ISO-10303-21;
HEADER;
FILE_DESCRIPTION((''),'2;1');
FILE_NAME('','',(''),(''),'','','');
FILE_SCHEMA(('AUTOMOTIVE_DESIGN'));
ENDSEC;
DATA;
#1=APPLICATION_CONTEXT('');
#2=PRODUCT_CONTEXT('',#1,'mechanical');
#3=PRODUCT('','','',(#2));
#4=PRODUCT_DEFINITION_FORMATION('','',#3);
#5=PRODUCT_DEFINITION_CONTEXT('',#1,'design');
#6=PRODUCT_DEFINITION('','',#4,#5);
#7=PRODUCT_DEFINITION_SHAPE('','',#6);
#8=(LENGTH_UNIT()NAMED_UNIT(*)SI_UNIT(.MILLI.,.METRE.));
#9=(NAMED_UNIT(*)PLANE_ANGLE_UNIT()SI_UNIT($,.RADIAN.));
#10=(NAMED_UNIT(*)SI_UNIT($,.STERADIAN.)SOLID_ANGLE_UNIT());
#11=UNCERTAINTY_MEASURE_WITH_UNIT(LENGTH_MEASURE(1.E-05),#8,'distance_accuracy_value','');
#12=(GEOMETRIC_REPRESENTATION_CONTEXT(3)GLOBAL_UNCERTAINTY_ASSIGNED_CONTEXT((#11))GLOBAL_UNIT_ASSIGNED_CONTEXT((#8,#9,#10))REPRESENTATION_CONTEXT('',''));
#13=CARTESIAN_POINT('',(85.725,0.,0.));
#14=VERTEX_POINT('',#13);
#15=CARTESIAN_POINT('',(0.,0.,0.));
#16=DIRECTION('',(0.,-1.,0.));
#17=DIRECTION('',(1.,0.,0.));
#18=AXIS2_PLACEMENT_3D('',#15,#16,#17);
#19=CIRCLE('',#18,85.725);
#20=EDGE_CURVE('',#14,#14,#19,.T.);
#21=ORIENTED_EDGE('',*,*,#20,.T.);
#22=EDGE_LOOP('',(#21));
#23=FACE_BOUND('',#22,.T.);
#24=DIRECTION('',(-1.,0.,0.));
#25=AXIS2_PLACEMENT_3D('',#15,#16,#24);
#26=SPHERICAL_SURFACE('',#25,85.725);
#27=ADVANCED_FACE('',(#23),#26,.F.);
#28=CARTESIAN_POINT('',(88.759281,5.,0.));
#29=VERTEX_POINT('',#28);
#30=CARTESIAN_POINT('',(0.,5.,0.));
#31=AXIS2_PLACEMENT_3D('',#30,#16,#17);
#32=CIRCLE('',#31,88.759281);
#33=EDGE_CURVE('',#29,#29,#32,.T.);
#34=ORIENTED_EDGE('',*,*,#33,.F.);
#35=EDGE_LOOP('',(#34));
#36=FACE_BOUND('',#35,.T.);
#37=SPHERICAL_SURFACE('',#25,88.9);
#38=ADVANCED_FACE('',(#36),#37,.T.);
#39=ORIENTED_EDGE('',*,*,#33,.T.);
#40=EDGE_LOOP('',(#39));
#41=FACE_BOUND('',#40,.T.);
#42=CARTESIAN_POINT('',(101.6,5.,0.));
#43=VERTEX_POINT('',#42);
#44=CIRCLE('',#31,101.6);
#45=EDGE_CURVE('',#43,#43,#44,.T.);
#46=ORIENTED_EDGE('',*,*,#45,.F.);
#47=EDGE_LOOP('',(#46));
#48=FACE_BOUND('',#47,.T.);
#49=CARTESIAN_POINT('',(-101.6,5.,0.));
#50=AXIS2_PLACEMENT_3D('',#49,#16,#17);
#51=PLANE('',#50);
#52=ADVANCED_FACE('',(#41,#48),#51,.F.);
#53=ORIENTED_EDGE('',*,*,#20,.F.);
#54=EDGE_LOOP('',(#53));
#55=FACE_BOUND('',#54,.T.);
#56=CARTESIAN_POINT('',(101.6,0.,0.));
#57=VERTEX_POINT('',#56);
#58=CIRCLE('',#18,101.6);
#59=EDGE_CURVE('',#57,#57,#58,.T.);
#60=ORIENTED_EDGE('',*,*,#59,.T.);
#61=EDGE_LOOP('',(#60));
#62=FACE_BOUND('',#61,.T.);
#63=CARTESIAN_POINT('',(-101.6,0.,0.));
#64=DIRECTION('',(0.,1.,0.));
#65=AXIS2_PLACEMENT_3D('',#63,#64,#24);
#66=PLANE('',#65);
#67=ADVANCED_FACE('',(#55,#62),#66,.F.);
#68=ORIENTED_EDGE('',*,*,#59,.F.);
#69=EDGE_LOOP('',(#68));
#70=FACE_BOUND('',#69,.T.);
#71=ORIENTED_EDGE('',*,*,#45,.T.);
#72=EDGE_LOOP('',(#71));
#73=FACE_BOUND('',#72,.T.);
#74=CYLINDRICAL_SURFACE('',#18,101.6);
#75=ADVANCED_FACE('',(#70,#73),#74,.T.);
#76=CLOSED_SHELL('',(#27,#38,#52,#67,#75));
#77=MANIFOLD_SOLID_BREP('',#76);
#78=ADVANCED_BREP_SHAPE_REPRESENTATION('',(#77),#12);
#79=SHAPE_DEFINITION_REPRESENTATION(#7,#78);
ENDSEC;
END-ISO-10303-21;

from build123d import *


with BuildPart() as part:
    # Sketch1 → Revolve1 (revolve)
    with BuildSketch(Plane.XY):
        with BuildLine():
            Line((-101.6, 0), (-101.6, 5))
            Line((-101.6, 5), (-88.759281205, 5))
            ThreePointArc((-88.759281205, 5), (-61.068445207, 64.605379033), (0, 88.9))
            Line((0, 88.9), (0, 85.725))
            ThreePointArc((0, 85.725), (-60.616728817, 60.616728817), (-85.725, 0))
            Line((-85.725, 0), (-101.6, 0))
        make_face()
    revolve(axis=Axis((0, 0, 0), (0, 1, 0)))


solid = part.part
